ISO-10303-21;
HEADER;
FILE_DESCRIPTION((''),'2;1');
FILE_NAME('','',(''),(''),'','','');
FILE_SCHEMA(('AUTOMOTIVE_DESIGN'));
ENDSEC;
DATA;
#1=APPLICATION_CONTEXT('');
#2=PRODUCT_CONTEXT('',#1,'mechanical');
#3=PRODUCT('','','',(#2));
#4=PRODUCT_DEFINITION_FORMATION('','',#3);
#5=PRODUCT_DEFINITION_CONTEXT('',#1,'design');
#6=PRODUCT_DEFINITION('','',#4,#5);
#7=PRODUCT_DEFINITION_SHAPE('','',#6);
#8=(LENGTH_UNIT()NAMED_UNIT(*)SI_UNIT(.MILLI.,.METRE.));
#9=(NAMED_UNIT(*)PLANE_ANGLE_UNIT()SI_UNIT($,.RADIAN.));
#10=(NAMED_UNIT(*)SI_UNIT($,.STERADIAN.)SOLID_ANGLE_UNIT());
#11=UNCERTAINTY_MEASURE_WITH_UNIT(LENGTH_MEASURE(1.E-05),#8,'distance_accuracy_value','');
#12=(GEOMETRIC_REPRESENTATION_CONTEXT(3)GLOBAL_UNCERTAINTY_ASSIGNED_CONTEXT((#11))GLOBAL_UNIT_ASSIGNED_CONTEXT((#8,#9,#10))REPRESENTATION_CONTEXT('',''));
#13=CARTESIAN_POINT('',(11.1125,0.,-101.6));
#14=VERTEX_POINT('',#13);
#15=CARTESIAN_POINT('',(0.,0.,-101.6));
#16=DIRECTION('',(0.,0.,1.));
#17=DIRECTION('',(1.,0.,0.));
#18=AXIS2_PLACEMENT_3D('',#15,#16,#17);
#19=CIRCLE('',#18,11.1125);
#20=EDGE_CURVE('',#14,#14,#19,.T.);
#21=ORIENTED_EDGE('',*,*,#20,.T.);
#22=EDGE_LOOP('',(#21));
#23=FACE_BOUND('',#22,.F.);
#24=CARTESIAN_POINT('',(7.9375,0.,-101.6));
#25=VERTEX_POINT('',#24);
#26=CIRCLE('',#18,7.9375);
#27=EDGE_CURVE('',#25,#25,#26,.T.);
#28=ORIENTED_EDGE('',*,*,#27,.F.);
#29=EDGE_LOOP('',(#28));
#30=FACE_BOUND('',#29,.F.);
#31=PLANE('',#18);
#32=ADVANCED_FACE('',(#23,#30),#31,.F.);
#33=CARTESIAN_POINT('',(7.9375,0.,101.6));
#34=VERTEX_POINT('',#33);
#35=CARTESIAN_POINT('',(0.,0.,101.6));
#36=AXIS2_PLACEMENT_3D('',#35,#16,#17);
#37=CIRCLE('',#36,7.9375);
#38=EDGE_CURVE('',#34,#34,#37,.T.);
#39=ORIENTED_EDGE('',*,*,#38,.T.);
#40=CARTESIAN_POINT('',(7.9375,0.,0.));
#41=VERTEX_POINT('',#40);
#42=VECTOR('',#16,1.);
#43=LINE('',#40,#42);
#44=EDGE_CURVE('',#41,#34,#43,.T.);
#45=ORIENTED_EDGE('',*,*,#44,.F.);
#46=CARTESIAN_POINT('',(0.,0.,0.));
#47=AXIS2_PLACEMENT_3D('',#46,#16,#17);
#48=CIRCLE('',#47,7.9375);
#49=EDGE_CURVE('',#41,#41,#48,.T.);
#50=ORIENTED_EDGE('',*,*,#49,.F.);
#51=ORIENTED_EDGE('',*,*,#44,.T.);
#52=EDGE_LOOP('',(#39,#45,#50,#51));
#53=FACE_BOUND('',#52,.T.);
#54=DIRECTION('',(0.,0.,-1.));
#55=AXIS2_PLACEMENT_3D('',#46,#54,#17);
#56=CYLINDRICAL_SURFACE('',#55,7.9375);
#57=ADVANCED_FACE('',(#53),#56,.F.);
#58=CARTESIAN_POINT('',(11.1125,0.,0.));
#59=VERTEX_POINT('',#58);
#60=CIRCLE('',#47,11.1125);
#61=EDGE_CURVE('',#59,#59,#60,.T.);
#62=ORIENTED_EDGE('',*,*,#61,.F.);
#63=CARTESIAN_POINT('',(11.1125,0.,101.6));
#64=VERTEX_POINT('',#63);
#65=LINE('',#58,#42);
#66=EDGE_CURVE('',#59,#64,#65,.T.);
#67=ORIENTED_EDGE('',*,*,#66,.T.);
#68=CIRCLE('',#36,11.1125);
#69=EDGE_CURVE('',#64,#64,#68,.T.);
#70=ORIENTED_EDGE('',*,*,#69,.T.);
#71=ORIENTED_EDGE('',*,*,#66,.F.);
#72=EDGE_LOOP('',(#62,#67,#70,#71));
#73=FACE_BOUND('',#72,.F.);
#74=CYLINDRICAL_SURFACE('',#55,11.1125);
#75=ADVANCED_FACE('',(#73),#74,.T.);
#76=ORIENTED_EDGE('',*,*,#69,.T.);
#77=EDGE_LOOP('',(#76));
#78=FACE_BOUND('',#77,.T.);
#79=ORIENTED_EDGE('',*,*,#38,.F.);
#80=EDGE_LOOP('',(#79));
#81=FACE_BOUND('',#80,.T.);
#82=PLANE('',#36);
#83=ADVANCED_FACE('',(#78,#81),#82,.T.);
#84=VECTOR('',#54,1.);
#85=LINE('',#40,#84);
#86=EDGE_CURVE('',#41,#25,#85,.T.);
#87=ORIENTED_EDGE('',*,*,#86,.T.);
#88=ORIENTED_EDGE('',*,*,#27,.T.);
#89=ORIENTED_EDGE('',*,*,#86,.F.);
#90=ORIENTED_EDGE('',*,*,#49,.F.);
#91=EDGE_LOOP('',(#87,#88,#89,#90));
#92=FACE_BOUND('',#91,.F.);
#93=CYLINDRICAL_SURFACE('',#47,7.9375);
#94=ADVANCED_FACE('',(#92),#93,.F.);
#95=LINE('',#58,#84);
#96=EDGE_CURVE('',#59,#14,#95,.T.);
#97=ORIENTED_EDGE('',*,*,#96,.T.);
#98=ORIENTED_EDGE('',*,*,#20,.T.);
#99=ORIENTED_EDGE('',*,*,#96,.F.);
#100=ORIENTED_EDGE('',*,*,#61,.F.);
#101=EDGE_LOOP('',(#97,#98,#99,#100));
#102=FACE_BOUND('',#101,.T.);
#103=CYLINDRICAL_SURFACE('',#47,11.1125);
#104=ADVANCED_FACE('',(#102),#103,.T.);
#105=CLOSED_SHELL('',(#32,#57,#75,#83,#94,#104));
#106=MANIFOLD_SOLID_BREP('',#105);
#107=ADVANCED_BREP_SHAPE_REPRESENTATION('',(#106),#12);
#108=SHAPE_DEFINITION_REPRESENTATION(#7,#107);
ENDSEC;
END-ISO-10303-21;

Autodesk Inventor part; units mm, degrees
ref_plane "YZ Plane" through (0, 0, 0) normal (1, 0, 0) x (0, 1, 0)
ref_plane "XZ Plane" through (0, 0, 0) normal (0, 1, 0) x (-1, 0, 0)
ref_plane "XY Plane" through (0, 0, 0) normal (0, 0, 1) x (1, 0, 0)
sketch "Sketch1" plane through (0, 0, 0) normal (0, 0, 1) x (1, 0, 0)
  circle A0 centre (0, 0) radius 11.1125
  circle A1 centre (0, 0) radius 7.9375
  dimension "d0" = 22.225
  dimension "d1" = 3.175
extrude "Extrusion1" add sketch "Sketch1" along normal mid plane 203.2
properties part number "CL7-009" material "Aluminum 6061"
